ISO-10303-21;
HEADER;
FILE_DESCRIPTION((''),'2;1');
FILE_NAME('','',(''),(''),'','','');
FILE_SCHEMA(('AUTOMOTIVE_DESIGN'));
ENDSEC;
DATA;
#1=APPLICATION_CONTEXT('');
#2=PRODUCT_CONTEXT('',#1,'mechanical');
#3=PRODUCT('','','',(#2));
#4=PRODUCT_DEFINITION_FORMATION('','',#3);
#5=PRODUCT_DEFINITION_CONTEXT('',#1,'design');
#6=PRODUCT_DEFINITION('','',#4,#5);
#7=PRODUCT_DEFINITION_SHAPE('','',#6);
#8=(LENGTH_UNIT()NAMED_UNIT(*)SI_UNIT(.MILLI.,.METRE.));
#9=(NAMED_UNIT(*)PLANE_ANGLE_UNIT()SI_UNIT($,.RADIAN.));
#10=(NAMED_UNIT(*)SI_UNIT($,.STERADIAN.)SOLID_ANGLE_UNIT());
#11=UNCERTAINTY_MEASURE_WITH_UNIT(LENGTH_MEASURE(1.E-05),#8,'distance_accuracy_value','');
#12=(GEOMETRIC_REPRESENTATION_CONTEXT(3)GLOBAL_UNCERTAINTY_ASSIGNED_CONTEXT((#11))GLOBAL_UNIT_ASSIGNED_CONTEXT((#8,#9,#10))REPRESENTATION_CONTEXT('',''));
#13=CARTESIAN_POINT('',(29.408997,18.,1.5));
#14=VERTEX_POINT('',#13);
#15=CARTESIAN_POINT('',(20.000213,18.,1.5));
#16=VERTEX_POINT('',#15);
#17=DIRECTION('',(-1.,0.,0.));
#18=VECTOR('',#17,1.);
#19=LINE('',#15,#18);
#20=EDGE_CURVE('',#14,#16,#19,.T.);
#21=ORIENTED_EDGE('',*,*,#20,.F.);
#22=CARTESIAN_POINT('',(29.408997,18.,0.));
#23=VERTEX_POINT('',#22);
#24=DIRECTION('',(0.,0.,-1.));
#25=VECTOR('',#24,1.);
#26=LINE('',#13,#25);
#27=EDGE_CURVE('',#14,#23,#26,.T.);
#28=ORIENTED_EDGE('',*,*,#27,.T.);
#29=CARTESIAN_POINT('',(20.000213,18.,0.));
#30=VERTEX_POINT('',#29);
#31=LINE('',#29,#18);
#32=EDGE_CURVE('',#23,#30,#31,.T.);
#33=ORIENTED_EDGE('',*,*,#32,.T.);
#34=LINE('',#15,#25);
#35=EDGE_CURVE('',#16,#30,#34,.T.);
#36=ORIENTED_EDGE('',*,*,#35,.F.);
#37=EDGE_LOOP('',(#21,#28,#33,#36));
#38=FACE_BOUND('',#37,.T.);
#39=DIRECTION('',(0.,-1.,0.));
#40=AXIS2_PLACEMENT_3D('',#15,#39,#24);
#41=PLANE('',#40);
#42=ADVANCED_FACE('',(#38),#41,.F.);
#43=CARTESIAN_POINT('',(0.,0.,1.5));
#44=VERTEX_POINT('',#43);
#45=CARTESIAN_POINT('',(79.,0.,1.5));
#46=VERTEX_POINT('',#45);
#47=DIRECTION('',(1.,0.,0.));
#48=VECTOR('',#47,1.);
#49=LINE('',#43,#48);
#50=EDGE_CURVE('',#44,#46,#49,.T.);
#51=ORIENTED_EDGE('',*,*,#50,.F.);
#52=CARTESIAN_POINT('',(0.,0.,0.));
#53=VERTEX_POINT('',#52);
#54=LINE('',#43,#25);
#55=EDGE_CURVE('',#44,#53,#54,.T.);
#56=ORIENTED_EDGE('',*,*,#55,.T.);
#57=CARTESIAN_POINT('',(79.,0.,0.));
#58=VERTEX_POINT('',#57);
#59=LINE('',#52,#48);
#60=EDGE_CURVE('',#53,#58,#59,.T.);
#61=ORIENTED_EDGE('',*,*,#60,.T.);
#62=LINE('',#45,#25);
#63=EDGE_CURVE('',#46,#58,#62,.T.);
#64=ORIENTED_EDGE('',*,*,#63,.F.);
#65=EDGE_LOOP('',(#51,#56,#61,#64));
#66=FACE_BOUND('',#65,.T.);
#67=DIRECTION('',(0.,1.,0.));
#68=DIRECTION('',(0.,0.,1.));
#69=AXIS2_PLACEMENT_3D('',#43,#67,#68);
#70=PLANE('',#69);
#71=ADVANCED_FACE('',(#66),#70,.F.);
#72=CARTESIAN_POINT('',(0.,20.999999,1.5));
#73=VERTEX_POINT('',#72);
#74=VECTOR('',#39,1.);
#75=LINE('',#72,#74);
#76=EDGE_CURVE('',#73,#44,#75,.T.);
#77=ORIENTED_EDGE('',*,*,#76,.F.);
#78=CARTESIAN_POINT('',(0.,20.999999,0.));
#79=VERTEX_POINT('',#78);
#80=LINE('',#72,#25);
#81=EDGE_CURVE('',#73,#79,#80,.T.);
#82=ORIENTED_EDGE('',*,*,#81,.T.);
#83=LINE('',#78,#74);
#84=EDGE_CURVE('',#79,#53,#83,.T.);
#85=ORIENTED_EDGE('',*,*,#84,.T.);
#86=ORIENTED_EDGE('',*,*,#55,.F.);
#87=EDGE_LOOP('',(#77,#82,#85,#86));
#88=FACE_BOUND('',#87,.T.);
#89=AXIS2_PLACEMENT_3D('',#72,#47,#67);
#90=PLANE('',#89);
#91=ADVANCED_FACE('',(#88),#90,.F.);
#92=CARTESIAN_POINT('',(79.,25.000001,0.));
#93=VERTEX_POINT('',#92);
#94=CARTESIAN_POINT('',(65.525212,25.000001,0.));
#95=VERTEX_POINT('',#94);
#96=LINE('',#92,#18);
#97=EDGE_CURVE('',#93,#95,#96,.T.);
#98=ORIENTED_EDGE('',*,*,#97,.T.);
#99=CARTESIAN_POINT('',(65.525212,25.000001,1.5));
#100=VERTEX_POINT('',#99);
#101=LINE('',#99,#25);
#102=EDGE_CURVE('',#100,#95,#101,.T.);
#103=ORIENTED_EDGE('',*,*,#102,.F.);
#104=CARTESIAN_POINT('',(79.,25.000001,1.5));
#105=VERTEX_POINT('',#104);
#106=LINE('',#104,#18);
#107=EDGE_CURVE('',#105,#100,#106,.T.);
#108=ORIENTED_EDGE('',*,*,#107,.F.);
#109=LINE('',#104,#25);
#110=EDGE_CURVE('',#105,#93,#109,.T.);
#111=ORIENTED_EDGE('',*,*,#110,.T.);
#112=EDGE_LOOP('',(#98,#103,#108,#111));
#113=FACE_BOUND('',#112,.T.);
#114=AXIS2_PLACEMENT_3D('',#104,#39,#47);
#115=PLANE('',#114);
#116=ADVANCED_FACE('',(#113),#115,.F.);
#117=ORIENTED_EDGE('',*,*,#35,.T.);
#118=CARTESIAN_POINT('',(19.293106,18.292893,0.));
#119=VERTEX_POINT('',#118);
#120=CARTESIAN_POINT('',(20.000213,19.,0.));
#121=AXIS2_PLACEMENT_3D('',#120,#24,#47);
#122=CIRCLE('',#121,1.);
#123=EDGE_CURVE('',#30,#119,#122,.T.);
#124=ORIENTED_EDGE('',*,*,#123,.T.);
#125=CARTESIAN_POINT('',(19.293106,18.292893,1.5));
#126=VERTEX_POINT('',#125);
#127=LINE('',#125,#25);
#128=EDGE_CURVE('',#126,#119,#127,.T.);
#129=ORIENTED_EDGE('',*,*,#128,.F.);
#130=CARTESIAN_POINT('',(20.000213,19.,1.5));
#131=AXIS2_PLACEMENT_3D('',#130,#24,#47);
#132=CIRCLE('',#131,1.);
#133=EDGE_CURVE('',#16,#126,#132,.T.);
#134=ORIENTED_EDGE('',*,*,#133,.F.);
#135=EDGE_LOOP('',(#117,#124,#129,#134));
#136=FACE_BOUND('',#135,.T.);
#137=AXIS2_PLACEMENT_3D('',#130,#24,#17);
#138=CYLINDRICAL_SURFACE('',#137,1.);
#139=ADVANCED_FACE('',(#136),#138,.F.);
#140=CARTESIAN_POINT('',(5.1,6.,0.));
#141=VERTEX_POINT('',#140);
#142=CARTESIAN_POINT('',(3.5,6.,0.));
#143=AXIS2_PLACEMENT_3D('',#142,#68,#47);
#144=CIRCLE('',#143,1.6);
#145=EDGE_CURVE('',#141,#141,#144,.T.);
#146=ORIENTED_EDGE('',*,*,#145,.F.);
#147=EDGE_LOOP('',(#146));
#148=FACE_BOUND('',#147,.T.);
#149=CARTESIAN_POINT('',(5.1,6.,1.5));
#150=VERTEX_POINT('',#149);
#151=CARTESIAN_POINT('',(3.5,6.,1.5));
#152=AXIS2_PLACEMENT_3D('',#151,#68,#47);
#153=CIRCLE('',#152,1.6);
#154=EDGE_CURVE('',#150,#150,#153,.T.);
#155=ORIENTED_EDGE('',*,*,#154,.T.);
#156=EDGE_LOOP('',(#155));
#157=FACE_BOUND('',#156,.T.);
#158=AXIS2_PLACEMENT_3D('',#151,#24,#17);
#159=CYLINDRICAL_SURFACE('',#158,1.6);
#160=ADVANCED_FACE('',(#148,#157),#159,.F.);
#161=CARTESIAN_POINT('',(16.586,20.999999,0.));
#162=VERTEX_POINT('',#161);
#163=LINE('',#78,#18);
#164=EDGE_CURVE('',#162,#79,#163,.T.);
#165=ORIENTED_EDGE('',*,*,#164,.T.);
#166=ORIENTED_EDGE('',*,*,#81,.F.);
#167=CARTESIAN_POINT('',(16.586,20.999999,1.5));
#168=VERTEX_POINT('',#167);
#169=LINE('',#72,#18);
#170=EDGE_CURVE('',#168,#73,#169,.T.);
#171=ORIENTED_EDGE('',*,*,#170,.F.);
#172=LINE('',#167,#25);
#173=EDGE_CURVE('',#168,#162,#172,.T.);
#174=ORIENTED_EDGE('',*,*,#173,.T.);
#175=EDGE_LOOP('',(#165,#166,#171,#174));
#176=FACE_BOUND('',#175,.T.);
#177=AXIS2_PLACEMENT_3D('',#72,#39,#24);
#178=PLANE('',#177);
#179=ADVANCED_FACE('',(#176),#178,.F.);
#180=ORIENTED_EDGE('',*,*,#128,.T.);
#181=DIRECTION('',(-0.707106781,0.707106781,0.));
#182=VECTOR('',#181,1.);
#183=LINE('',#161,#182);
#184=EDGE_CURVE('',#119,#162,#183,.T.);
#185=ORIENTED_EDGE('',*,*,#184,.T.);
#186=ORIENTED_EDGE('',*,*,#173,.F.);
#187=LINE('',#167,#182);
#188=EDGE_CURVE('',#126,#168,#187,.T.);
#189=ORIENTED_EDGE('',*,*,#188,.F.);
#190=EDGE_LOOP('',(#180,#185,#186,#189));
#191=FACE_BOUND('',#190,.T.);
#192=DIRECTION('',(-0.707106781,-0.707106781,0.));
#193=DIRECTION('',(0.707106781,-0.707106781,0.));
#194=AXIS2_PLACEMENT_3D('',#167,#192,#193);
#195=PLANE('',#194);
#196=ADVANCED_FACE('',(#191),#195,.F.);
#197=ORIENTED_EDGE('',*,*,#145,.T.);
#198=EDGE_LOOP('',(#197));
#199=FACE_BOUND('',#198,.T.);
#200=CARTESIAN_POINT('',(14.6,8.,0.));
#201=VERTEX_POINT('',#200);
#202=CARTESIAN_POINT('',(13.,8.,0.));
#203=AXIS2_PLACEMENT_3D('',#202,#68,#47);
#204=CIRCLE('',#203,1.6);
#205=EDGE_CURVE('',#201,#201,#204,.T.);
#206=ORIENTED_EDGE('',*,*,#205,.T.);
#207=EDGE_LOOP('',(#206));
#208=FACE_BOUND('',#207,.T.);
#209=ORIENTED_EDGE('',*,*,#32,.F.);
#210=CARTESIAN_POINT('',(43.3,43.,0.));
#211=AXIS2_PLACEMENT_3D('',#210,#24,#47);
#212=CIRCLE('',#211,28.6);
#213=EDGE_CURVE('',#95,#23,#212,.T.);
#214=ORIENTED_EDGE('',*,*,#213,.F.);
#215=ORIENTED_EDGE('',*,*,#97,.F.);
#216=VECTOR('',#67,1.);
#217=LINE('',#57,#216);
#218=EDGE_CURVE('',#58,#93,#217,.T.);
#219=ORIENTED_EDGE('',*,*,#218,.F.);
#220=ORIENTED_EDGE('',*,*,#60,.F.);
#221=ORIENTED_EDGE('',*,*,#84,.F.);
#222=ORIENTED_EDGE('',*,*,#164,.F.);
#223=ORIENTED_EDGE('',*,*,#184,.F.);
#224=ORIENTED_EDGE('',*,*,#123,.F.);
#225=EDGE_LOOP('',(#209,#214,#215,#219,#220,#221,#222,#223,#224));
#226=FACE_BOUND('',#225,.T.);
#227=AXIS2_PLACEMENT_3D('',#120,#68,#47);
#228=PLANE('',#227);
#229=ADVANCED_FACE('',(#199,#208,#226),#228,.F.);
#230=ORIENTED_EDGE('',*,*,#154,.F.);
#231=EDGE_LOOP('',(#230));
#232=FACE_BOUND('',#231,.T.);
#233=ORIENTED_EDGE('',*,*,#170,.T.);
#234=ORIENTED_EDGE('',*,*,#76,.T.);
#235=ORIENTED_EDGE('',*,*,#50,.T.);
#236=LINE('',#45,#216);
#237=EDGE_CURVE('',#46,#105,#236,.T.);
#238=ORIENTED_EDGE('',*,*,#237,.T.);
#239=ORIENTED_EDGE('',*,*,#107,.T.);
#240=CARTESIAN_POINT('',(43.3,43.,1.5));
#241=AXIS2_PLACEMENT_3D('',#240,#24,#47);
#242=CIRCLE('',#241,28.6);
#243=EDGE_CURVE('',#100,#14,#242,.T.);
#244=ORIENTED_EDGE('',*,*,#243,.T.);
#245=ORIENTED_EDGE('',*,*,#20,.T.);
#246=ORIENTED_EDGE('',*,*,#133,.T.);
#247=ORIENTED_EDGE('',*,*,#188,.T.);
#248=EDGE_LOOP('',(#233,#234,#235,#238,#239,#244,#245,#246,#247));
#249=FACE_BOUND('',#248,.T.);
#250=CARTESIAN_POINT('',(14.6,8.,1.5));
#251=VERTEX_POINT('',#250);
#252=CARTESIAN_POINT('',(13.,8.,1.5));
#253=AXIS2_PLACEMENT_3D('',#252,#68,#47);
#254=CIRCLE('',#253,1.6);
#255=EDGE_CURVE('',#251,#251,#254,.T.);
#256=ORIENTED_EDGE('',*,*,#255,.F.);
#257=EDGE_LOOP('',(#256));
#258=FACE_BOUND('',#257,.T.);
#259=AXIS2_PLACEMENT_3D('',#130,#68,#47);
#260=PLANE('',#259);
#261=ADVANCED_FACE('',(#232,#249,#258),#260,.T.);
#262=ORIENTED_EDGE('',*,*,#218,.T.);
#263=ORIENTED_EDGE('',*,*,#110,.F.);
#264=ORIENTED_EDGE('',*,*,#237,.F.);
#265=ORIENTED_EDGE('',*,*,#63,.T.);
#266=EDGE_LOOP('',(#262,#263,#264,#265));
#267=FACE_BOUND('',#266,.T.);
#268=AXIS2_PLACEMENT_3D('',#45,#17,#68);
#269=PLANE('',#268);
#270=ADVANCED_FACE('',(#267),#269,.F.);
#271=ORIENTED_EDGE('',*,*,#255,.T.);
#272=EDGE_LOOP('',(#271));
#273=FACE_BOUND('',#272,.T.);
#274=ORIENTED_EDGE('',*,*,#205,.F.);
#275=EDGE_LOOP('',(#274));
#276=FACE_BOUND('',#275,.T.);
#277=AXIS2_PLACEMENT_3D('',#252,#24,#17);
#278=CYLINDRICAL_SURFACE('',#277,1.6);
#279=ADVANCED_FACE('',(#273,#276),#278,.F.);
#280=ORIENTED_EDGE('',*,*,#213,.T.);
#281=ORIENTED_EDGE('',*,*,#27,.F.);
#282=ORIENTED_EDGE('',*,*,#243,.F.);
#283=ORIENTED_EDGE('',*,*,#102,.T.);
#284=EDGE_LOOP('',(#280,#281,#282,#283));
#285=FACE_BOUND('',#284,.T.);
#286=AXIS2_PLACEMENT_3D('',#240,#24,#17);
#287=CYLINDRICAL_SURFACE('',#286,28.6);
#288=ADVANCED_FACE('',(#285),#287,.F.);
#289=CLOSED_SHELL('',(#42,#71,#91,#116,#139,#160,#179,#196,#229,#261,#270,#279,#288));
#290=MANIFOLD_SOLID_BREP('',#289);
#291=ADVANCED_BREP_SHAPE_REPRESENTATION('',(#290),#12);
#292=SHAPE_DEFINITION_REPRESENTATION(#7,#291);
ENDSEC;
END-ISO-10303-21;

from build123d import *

# Parameters (mm, degrees)
SKETCH_1_R      = 1.6
EXTRUDE_1_DEPTH = 1.5


with BuildPart() as part:
    # Эскиз1 → Бобышка-Вытянуть1 (new body)
    with BuildSketch(Plane.XY):
        with BuildLine():
            Line((0, 20.99999864), (0, 0))
            Line((0, 0), (79, 0))
            Line((79, 0), (79, 25.0000008))
            Line((79, 25.0000008), (65.525211558, 25.0000008))
            ThreePointArc((65.525211558, 25.0000008), (48.741944539, 14.922513652), (29.408996509, 17.99999956))
            Line((29.408996509, 17.99999956), (20.000212839, 17.99999956))
            ThreePointArc((20.000212839, 17.99999956), (19.617529225, 18.076120064), (19.293105722, 18.292892918))
            Line((19.293105722, 18.292892918), (16.586, 20.99999864))
            Line((16.586, 20.99999864), (0, 20.99999864))
        make_face()
        with Locations((3.5, 6)):
            Circle(SKETCH_1_R, mode=Mode.SUBTRACT)
        with Locations((13, 8)):
            Circle(SKETCH_1_R, mode=Mode.SUBTRACT)
    extrude(amount=EXTRUDE_1_DEPTH)


solid = part.part
